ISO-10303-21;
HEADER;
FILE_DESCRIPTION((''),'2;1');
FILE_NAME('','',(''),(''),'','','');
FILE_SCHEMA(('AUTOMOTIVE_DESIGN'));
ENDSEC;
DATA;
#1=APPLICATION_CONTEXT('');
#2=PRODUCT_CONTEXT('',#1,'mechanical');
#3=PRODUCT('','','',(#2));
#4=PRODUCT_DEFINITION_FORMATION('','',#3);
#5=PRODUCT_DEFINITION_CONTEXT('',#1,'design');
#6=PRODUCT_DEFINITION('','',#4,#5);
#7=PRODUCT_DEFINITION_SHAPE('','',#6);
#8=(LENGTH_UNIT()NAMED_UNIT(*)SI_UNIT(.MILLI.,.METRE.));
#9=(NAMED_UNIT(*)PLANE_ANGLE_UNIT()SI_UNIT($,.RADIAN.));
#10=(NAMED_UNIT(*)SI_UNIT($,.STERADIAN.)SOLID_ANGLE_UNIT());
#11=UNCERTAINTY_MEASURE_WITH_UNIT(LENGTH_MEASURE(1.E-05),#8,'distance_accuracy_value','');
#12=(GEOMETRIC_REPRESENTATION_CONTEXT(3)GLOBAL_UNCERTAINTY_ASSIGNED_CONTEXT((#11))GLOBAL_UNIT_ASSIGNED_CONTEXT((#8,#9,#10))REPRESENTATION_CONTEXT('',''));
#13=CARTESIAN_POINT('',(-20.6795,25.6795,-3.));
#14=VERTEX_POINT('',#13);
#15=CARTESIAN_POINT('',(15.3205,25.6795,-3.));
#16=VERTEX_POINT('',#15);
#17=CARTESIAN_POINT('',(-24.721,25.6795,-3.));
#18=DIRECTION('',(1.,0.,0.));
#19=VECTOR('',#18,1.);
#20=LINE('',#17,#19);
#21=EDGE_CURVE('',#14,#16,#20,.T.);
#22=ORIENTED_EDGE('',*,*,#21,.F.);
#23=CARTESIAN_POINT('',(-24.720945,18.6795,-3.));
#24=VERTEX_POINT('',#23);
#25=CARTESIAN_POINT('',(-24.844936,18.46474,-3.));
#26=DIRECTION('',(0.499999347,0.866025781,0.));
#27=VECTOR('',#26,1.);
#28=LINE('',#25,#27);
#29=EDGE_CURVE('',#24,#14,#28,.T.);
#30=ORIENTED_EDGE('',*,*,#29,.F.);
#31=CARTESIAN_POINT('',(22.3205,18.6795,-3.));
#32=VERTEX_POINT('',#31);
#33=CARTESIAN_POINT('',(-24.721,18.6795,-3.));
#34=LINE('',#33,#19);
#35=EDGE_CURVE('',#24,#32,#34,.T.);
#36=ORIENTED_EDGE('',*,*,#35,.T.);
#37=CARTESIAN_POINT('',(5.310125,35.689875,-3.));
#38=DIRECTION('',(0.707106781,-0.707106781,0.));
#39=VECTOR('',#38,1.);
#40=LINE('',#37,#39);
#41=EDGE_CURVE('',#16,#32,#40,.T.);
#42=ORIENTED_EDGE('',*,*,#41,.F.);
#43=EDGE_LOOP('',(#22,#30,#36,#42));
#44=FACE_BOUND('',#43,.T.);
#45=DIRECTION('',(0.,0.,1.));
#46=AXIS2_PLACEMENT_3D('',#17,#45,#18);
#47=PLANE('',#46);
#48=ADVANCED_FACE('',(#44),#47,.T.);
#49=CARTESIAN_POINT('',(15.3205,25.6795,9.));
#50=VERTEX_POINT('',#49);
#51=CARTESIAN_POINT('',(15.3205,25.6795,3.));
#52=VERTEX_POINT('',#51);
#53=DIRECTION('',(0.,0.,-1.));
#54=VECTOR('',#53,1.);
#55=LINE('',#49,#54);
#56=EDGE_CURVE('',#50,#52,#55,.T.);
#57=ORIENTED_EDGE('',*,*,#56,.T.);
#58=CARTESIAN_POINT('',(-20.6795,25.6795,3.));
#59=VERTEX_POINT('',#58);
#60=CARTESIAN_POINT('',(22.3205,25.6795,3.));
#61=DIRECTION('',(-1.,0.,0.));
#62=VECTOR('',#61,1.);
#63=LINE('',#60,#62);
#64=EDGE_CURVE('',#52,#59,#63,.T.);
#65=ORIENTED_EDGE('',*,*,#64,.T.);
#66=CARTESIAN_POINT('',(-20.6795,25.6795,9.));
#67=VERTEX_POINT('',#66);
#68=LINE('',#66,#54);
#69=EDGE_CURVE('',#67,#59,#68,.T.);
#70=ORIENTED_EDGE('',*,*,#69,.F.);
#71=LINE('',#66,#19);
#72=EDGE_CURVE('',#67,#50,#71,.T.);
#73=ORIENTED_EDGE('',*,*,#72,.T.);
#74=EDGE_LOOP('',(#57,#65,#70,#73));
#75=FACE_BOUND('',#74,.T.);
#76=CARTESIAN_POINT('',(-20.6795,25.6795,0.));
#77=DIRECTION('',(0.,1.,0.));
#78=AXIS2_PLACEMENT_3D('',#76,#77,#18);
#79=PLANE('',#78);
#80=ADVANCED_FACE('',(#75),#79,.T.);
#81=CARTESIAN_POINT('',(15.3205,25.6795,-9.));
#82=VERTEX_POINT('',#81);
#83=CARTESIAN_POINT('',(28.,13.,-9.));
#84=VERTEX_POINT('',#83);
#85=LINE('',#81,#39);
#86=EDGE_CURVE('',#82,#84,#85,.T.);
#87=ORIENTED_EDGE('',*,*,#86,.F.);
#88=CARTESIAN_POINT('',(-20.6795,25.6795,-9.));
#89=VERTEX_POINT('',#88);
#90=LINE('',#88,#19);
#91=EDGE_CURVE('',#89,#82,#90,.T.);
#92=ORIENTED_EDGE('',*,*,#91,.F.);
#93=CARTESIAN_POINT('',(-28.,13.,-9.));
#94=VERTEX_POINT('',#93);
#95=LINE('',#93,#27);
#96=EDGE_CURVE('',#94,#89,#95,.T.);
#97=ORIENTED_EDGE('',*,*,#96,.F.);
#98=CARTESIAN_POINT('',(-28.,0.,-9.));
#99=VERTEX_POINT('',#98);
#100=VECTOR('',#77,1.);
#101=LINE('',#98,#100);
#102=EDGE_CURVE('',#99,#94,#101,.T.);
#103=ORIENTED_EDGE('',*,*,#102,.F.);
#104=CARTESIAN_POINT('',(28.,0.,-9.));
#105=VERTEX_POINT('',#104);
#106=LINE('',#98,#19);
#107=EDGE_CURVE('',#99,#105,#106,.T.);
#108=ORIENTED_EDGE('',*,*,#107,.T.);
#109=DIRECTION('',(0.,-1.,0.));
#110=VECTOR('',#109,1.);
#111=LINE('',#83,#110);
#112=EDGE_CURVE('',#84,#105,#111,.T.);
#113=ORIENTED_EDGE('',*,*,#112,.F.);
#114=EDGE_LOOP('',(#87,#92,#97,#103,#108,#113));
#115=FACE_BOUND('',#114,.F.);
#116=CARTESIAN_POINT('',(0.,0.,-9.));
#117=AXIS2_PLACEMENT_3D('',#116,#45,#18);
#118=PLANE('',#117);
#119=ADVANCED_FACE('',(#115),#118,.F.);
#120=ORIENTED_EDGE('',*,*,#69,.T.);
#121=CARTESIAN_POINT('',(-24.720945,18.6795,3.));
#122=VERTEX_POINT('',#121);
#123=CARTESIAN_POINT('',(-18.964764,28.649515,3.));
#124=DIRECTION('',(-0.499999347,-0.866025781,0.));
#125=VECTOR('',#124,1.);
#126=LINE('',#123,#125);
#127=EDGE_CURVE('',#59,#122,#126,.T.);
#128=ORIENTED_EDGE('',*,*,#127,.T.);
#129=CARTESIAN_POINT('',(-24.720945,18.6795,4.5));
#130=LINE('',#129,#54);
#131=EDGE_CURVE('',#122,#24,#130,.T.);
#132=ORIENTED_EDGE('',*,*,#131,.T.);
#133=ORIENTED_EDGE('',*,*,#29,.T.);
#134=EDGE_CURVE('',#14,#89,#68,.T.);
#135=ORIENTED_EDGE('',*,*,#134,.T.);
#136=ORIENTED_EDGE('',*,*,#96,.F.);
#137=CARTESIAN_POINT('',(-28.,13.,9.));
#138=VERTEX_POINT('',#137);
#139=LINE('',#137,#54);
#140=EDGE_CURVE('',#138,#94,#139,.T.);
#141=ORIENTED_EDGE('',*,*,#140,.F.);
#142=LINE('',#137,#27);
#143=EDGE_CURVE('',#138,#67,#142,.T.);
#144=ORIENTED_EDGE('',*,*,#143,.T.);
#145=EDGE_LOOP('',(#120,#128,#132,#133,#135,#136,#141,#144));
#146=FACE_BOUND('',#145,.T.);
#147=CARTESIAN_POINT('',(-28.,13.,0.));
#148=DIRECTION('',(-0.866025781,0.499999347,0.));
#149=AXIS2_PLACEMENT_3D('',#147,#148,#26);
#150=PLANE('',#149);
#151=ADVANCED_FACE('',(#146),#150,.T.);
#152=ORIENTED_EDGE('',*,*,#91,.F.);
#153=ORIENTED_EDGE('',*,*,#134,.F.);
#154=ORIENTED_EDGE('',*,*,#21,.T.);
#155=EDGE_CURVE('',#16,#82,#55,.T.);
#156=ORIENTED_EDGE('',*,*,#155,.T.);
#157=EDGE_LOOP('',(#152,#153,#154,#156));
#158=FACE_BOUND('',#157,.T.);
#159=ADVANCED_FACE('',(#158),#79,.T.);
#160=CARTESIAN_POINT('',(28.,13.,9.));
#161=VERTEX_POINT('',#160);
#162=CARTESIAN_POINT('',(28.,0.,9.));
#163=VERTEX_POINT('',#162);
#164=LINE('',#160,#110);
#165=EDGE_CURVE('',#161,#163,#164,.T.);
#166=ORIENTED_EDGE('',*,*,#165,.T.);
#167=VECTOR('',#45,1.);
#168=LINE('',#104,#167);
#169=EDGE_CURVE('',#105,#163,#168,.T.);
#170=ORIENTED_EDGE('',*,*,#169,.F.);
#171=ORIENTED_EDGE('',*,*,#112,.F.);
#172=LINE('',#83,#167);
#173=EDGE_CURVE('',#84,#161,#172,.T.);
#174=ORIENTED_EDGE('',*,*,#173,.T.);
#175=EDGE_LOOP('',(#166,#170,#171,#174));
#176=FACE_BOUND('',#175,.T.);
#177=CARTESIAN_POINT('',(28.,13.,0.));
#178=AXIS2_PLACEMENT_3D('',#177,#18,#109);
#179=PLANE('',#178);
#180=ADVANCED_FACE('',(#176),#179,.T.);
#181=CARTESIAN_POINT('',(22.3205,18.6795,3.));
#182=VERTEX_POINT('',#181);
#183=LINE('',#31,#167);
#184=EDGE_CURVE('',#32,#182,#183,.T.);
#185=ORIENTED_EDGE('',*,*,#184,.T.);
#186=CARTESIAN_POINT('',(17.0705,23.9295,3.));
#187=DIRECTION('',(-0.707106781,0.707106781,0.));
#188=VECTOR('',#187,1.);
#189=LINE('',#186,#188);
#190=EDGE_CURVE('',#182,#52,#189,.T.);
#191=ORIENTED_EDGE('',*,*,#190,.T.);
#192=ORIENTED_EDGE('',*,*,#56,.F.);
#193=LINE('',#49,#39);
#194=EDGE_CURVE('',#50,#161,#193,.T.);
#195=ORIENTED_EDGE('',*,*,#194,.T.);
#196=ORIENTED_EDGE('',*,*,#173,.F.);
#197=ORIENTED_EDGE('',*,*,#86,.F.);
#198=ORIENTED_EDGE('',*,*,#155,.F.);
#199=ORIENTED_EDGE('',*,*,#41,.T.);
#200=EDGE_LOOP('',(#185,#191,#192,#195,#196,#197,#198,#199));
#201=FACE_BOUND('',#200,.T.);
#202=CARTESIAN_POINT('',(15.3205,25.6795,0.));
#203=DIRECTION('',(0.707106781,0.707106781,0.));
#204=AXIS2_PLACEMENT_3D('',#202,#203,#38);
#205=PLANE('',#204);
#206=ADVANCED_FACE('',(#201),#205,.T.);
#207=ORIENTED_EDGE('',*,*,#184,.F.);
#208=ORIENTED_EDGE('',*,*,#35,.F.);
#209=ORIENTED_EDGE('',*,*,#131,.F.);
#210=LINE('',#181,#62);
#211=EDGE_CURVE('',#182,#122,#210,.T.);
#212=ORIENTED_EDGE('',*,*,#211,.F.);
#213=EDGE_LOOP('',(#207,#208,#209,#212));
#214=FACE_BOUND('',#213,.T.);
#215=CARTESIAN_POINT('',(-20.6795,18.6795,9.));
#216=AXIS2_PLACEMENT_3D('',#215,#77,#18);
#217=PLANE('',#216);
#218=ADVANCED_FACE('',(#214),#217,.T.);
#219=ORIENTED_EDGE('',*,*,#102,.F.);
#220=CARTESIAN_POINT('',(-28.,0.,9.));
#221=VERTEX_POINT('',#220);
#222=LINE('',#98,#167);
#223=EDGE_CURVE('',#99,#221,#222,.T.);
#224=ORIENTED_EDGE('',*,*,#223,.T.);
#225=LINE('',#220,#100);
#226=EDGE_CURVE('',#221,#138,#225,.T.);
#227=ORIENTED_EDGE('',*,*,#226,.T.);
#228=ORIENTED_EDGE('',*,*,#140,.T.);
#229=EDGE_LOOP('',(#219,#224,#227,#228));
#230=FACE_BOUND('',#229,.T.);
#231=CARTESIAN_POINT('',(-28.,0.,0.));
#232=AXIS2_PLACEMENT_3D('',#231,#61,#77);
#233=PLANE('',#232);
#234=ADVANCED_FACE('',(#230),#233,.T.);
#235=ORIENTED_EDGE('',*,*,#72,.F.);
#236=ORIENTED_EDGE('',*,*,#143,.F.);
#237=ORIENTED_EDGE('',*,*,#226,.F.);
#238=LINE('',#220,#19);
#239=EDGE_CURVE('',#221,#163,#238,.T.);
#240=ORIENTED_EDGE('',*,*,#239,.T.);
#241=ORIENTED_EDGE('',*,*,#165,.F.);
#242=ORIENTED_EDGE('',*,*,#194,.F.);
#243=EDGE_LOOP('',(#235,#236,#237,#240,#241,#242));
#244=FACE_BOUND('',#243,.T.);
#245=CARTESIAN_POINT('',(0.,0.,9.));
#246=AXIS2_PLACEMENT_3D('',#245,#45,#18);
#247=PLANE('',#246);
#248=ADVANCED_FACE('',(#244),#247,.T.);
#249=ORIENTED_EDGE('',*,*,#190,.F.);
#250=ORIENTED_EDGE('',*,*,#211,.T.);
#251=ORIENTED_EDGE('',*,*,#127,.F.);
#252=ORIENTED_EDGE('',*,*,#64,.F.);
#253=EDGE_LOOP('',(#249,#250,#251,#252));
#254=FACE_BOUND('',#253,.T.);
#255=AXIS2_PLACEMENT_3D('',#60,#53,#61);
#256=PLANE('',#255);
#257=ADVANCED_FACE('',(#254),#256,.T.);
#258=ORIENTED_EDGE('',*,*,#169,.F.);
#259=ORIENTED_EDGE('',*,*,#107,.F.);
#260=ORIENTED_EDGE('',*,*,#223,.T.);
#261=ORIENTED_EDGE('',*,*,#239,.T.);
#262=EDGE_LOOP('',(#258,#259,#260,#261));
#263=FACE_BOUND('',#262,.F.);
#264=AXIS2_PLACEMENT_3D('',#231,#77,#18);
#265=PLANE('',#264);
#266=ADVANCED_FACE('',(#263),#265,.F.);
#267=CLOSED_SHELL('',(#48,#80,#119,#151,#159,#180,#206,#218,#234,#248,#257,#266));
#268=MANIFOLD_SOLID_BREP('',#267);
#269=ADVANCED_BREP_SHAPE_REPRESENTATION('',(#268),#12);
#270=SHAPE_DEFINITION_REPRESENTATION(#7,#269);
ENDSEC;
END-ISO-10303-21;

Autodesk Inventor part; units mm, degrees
ref_plane "YZ Plane" through (0, 0, 0) normal (1, 0, 0) x (0, 1, 0)
ref_plane "XZ Plane" through (0, 0, 0) normal (0, 1, 0) x (-1, 0, 0)
ref_plane "XY Plane" through (0, 0, 0) normal (0, 0, 1) x (1, 0, 0)
sketch "Boceto1" plane through (0, 0, 0) normal (0, 0, 1) x (1, 0, 0)
  line L0 (-28, 0) -> (28, 0)
  line L1 (-28, 0) -> (-28, 13)
  line L2 (-28, 13) -> (-20.6795, 25.6795)
  line L3 (-20.6795, 25.6795) -> (15.3205, 25.6795)
  line L4 (15.3205, 25.6795) -> (28, 13)
  line L5 (28, 13) -> (28, 0)
  line L6 (15.3205, 25.6795) -> (15.3205, 18.6795)
  line L7 (-24.7209, 18.6795) -> (22.3205, 18.6795) construction
  point P0 (0, 0)
  dimension "d0" = 28
  dimension "d1" = 28
  dimension "d2" = 13
  dimension "d3" = 36
  dimension "d4" = 135
  dimension "d6" = 7
  dimension "d16" = 150
extrude "Extrusión1" add sketch "Boceto1" along normal mid plane 18
sketch "Boceto2" plane through (-20.6795, 25.6795, 9) normal (0, 1, 0) x (1, 0, 0)
  line L0 (-7.3205, 18) -> (-7.3205, 0) construction
  line L1 (-7.3205, 12) -> (48.6795, 12) construction
  line L2 (48.6795, 18) -> (48.6795, 0) construction
  line L3 (-7.3205, 6) -> (48.6795, 6) construction
  line L4 (0, 18) -> (36, 18) construction
  line L5 (-4.0415, 12) -> (-4.0415, 6)
  line L6 (43, 12) -> (43, 6)
  line L7 (-4.0415, 12) -> (43, 12)
  line L8 (43, 6) -> (-4.0415, 6)
  point P0 (20.6795, 9)
  point P1 (-4.0415, 9)
  point P2 (43, 9)
  dimension "d9" = 6
  dimension "d10" = 6
extrude "Extrusión2" cut sketch "Boceto2" against normal blind 7
